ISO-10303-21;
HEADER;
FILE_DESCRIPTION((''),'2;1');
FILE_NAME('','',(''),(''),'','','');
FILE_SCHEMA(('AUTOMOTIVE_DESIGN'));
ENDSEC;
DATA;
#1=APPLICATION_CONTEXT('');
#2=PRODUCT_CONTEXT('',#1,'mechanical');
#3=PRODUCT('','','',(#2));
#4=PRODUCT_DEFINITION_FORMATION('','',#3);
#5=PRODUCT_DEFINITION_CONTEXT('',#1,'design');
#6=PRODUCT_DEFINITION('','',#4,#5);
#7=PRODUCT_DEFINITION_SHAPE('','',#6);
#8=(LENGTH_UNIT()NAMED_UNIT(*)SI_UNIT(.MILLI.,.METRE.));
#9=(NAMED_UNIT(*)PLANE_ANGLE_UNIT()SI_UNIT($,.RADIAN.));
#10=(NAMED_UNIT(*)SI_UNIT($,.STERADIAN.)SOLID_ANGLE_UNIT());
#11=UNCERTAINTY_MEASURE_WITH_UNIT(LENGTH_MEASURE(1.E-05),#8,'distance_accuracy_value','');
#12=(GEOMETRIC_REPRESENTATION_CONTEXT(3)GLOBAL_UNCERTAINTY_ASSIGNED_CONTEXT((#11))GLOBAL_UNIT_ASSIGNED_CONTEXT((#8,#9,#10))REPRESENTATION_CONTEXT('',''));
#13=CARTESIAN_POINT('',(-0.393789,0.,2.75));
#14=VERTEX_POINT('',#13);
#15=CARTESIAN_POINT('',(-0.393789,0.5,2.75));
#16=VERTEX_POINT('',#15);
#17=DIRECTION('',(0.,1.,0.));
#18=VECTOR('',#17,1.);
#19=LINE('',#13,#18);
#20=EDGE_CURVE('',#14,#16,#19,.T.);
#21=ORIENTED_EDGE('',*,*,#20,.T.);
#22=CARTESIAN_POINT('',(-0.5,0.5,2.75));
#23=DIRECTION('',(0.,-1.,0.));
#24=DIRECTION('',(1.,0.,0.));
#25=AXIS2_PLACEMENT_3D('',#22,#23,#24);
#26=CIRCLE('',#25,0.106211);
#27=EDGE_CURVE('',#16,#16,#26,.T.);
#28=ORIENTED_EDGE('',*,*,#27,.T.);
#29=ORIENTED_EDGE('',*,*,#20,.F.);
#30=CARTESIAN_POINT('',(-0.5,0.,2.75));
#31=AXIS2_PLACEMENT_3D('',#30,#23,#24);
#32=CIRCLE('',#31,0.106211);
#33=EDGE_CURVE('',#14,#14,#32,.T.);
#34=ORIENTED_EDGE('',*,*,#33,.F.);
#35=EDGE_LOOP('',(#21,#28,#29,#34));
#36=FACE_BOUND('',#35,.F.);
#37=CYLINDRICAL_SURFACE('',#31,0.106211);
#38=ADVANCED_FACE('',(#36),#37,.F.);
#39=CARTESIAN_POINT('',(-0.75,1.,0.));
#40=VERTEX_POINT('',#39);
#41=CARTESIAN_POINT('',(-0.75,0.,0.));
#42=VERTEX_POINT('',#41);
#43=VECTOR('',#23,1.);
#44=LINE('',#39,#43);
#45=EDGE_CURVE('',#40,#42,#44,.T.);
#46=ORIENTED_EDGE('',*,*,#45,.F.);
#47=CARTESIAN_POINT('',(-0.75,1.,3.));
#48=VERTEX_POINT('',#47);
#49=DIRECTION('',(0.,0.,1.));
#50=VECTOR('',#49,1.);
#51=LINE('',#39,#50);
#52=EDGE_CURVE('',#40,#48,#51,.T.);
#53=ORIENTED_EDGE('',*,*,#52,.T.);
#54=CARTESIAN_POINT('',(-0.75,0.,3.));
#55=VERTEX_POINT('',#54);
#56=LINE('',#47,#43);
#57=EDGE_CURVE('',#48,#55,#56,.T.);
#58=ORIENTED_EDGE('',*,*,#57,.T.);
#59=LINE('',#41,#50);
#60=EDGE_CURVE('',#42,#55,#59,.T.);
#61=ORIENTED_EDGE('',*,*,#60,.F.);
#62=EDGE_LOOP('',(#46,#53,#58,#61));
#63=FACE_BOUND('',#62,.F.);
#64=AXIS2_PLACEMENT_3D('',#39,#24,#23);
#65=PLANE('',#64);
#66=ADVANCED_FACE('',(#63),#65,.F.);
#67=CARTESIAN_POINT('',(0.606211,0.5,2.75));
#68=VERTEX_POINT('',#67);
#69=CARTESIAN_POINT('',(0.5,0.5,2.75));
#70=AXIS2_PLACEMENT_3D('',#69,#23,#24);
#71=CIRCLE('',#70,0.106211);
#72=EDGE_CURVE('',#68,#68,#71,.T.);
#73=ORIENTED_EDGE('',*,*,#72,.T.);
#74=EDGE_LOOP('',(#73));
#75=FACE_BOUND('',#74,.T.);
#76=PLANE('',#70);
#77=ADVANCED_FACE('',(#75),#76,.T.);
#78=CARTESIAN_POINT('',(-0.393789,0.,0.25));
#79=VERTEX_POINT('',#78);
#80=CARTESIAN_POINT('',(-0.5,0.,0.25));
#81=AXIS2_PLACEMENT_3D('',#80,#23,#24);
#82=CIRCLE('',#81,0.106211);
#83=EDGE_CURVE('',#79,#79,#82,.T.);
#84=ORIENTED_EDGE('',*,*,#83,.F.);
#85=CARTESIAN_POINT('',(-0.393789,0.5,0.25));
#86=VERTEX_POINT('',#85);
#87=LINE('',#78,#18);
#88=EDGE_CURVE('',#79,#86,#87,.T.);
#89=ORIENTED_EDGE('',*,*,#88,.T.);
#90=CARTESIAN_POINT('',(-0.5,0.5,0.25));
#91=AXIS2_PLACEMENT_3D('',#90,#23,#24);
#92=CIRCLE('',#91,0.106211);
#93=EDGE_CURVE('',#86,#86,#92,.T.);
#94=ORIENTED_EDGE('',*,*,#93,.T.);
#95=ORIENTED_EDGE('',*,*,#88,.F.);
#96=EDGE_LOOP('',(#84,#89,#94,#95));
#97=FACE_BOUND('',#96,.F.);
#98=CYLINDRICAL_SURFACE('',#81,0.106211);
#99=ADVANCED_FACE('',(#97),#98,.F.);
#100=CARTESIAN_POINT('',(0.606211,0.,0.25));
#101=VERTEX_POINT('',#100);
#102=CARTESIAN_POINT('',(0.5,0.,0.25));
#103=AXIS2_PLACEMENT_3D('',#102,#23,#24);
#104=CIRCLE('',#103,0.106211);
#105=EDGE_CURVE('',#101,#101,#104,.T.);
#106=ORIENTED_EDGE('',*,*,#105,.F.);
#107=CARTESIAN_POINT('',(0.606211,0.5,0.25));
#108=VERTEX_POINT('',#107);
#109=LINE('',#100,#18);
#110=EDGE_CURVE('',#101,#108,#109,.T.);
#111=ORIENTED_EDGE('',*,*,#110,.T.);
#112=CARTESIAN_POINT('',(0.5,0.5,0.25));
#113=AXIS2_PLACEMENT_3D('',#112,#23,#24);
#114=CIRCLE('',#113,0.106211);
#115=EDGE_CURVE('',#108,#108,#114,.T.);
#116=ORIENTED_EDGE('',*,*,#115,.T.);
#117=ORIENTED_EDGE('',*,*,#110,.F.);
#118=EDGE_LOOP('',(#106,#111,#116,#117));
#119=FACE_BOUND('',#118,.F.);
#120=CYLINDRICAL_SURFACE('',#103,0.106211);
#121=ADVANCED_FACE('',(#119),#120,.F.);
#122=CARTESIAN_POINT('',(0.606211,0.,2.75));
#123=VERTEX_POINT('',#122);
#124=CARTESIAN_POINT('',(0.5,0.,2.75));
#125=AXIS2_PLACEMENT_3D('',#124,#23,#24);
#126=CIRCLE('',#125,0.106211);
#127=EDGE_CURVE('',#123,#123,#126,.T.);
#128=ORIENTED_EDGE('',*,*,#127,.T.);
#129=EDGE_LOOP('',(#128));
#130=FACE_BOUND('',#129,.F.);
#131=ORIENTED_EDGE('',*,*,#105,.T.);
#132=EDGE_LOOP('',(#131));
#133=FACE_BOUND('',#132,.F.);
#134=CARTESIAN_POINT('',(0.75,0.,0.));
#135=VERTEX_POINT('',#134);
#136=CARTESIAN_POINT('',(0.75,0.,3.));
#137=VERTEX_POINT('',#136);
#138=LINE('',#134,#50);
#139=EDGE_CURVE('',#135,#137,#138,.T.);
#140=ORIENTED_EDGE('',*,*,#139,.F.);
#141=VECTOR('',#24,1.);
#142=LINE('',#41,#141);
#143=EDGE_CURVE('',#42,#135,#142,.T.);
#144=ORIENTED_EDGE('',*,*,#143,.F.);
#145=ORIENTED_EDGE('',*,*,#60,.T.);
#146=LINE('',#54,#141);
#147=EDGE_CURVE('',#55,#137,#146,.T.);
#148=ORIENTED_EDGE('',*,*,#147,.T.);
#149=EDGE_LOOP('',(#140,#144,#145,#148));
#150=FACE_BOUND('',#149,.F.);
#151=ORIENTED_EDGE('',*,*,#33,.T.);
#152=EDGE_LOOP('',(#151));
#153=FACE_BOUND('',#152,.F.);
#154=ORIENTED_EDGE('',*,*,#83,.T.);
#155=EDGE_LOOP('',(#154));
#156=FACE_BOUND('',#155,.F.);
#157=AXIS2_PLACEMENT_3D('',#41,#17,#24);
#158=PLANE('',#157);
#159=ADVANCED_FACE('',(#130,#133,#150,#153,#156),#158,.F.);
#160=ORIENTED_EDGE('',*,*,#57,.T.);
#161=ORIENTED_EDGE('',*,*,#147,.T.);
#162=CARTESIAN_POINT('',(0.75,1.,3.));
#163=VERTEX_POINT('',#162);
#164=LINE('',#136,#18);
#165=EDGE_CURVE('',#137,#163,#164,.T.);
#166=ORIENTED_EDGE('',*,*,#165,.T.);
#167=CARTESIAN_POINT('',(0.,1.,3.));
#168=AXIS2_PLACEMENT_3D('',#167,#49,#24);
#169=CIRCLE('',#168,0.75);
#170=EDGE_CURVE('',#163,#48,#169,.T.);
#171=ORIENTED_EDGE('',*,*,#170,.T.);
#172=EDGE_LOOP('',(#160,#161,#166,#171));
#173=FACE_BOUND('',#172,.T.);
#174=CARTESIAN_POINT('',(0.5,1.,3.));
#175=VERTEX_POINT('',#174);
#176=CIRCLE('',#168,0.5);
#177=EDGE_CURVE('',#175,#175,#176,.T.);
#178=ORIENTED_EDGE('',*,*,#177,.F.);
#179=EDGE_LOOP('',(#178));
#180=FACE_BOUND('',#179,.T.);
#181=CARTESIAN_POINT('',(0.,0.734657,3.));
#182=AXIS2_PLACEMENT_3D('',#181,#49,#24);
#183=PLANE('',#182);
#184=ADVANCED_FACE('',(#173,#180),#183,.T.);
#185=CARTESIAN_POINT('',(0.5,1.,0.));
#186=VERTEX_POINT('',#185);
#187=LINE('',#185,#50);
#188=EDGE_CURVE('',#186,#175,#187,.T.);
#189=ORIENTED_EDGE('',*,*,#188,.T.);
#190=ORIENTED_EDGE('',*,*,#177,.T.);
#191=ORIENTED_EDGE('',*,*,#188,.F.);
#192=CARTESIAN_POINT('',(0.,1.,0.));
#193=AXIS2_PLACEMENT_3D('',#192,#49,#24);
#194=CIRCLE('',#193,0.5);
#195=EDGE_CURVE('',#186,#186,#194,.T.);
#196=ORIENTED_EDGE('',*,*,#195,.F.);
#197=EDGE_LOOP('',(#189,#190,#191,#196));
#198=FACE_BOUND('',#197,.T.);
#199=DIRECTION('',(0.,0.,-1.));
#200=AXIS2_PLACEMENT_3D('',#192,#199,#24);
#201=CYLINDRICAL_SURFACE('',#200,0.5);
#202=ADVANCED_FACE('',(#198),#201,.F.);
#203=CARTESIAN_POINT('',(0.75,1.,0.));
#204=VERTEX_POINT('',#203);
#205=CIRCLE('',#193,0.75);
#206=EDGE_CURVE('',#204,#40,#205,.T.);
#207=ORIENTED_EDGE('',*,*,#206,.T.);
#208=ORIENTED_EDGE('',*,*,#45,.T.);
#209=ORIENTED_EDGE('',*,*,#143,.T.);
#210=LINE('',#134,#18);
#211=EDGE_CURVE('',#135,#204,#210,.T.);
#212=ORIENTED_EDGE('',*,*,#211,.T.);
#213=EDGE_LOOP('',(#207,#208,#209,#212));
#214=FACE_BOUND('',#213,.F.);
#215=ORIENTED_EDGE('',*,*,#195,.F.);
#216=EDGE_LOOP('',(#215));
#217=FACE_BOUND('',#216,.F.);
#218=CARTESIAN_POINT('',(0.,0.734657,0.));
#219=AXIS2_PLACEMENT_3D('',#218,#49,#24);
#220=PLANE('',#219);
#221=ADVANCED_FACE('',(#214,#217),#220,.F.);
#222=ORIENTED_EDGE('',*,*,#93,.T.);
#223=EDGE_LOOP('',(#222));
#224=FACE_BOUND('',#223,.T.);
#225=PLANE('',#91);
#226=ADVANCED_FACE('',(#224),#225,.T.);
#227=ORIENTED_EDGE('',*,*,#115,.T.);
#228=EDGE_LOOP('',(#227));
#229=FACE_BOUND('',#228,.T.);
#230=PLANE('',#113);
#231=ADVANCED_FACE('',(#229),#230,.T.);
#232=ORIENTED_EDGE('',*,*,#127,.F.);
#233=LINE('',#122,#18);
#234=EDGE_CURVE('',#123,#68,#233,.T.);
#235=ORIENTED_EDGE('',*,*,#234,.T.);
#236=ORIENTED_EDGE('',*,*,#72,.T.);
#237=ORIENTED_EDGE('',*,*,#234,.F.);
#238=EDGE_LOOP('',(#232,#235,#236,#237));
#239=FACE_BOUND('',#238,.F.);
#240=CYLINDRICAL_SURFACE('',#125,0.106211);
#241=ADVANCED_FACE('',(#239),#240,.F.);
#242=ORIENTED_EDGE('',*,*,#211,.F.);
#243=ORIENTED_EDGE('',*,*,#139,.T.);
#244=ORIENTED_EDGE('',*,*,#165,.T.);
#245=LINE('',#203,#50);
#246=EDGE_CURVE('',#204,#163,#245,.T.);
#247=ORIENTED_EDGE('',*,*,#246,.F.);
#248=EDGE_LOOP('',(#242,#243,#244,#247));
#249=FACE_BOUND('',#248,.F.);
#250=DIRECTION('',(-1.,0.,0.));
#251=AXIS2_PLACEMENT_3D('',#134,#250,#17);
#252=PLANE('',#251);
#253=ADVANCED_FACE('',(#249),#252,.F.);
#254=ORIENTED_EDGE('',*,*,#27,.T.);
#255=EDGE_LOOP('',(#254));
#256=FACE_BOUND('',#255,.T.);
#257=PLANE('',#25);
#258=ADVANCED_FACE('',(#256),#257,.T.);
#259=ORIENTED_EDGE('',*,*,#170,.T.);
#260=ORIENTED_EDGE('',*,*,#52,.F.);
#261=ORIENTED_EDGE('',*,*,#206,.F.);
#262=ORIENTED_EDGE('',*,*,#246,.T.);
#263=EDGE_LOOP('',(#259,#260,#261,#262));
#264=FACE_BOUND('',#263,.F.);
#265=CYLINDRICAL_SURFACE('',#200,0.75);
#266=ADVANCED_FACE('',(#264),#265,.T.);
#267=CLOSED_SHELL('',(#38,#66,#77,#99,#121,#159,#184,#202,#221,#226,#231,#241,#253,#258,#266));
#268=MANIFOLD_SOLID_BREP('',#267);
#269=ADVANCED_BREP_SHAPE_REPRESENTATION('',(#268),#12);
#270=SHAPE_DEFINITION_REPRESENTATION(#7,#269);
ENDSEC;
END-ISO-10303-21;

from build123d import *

# Parameters (mm, degrees)
F0_R     = 0.5
F1_DEPTH = 3
F2_R     = 0.106211
F3_DEPTH = 0.5


with BuildPart() as f1:
    # F0 (on Top) → F1 (new body)
    with BuildSketch(Plane.XY):
        with BuildLine():
            Line((-0.75, 1), (-0.75, 0))
            Line((-0.75, 0), (0.75, 0))
            Line((0.75, 0), (0.75, 1))
            ThreePointArc((0.75, 1), (0, 1.75), (-0.75, 1))
        make_face()
        with Locations((0, 1)):
            Circle(F0_R, mode=Mode.SUBTRACT)
    extrude(amount=F1_DEPTH)

    # F2 (on face) → F3 (cut)
    with BuildSketch(Plane.XZ):
        with Locations((-0.5, 2.75)):
            Circle(F2_R)
        with Locations((0.5, 0.25)):
            Circle(F2_R)
        with Locations((-0.5, 0.25)):
            Circle(F2_R)
        with Locations((0.5, 2.75)):
            Circle(F2_R)
    extrude(amount=-F3_DEPTH, mode=Mode.SUBTRACT)


solid = f1.part
